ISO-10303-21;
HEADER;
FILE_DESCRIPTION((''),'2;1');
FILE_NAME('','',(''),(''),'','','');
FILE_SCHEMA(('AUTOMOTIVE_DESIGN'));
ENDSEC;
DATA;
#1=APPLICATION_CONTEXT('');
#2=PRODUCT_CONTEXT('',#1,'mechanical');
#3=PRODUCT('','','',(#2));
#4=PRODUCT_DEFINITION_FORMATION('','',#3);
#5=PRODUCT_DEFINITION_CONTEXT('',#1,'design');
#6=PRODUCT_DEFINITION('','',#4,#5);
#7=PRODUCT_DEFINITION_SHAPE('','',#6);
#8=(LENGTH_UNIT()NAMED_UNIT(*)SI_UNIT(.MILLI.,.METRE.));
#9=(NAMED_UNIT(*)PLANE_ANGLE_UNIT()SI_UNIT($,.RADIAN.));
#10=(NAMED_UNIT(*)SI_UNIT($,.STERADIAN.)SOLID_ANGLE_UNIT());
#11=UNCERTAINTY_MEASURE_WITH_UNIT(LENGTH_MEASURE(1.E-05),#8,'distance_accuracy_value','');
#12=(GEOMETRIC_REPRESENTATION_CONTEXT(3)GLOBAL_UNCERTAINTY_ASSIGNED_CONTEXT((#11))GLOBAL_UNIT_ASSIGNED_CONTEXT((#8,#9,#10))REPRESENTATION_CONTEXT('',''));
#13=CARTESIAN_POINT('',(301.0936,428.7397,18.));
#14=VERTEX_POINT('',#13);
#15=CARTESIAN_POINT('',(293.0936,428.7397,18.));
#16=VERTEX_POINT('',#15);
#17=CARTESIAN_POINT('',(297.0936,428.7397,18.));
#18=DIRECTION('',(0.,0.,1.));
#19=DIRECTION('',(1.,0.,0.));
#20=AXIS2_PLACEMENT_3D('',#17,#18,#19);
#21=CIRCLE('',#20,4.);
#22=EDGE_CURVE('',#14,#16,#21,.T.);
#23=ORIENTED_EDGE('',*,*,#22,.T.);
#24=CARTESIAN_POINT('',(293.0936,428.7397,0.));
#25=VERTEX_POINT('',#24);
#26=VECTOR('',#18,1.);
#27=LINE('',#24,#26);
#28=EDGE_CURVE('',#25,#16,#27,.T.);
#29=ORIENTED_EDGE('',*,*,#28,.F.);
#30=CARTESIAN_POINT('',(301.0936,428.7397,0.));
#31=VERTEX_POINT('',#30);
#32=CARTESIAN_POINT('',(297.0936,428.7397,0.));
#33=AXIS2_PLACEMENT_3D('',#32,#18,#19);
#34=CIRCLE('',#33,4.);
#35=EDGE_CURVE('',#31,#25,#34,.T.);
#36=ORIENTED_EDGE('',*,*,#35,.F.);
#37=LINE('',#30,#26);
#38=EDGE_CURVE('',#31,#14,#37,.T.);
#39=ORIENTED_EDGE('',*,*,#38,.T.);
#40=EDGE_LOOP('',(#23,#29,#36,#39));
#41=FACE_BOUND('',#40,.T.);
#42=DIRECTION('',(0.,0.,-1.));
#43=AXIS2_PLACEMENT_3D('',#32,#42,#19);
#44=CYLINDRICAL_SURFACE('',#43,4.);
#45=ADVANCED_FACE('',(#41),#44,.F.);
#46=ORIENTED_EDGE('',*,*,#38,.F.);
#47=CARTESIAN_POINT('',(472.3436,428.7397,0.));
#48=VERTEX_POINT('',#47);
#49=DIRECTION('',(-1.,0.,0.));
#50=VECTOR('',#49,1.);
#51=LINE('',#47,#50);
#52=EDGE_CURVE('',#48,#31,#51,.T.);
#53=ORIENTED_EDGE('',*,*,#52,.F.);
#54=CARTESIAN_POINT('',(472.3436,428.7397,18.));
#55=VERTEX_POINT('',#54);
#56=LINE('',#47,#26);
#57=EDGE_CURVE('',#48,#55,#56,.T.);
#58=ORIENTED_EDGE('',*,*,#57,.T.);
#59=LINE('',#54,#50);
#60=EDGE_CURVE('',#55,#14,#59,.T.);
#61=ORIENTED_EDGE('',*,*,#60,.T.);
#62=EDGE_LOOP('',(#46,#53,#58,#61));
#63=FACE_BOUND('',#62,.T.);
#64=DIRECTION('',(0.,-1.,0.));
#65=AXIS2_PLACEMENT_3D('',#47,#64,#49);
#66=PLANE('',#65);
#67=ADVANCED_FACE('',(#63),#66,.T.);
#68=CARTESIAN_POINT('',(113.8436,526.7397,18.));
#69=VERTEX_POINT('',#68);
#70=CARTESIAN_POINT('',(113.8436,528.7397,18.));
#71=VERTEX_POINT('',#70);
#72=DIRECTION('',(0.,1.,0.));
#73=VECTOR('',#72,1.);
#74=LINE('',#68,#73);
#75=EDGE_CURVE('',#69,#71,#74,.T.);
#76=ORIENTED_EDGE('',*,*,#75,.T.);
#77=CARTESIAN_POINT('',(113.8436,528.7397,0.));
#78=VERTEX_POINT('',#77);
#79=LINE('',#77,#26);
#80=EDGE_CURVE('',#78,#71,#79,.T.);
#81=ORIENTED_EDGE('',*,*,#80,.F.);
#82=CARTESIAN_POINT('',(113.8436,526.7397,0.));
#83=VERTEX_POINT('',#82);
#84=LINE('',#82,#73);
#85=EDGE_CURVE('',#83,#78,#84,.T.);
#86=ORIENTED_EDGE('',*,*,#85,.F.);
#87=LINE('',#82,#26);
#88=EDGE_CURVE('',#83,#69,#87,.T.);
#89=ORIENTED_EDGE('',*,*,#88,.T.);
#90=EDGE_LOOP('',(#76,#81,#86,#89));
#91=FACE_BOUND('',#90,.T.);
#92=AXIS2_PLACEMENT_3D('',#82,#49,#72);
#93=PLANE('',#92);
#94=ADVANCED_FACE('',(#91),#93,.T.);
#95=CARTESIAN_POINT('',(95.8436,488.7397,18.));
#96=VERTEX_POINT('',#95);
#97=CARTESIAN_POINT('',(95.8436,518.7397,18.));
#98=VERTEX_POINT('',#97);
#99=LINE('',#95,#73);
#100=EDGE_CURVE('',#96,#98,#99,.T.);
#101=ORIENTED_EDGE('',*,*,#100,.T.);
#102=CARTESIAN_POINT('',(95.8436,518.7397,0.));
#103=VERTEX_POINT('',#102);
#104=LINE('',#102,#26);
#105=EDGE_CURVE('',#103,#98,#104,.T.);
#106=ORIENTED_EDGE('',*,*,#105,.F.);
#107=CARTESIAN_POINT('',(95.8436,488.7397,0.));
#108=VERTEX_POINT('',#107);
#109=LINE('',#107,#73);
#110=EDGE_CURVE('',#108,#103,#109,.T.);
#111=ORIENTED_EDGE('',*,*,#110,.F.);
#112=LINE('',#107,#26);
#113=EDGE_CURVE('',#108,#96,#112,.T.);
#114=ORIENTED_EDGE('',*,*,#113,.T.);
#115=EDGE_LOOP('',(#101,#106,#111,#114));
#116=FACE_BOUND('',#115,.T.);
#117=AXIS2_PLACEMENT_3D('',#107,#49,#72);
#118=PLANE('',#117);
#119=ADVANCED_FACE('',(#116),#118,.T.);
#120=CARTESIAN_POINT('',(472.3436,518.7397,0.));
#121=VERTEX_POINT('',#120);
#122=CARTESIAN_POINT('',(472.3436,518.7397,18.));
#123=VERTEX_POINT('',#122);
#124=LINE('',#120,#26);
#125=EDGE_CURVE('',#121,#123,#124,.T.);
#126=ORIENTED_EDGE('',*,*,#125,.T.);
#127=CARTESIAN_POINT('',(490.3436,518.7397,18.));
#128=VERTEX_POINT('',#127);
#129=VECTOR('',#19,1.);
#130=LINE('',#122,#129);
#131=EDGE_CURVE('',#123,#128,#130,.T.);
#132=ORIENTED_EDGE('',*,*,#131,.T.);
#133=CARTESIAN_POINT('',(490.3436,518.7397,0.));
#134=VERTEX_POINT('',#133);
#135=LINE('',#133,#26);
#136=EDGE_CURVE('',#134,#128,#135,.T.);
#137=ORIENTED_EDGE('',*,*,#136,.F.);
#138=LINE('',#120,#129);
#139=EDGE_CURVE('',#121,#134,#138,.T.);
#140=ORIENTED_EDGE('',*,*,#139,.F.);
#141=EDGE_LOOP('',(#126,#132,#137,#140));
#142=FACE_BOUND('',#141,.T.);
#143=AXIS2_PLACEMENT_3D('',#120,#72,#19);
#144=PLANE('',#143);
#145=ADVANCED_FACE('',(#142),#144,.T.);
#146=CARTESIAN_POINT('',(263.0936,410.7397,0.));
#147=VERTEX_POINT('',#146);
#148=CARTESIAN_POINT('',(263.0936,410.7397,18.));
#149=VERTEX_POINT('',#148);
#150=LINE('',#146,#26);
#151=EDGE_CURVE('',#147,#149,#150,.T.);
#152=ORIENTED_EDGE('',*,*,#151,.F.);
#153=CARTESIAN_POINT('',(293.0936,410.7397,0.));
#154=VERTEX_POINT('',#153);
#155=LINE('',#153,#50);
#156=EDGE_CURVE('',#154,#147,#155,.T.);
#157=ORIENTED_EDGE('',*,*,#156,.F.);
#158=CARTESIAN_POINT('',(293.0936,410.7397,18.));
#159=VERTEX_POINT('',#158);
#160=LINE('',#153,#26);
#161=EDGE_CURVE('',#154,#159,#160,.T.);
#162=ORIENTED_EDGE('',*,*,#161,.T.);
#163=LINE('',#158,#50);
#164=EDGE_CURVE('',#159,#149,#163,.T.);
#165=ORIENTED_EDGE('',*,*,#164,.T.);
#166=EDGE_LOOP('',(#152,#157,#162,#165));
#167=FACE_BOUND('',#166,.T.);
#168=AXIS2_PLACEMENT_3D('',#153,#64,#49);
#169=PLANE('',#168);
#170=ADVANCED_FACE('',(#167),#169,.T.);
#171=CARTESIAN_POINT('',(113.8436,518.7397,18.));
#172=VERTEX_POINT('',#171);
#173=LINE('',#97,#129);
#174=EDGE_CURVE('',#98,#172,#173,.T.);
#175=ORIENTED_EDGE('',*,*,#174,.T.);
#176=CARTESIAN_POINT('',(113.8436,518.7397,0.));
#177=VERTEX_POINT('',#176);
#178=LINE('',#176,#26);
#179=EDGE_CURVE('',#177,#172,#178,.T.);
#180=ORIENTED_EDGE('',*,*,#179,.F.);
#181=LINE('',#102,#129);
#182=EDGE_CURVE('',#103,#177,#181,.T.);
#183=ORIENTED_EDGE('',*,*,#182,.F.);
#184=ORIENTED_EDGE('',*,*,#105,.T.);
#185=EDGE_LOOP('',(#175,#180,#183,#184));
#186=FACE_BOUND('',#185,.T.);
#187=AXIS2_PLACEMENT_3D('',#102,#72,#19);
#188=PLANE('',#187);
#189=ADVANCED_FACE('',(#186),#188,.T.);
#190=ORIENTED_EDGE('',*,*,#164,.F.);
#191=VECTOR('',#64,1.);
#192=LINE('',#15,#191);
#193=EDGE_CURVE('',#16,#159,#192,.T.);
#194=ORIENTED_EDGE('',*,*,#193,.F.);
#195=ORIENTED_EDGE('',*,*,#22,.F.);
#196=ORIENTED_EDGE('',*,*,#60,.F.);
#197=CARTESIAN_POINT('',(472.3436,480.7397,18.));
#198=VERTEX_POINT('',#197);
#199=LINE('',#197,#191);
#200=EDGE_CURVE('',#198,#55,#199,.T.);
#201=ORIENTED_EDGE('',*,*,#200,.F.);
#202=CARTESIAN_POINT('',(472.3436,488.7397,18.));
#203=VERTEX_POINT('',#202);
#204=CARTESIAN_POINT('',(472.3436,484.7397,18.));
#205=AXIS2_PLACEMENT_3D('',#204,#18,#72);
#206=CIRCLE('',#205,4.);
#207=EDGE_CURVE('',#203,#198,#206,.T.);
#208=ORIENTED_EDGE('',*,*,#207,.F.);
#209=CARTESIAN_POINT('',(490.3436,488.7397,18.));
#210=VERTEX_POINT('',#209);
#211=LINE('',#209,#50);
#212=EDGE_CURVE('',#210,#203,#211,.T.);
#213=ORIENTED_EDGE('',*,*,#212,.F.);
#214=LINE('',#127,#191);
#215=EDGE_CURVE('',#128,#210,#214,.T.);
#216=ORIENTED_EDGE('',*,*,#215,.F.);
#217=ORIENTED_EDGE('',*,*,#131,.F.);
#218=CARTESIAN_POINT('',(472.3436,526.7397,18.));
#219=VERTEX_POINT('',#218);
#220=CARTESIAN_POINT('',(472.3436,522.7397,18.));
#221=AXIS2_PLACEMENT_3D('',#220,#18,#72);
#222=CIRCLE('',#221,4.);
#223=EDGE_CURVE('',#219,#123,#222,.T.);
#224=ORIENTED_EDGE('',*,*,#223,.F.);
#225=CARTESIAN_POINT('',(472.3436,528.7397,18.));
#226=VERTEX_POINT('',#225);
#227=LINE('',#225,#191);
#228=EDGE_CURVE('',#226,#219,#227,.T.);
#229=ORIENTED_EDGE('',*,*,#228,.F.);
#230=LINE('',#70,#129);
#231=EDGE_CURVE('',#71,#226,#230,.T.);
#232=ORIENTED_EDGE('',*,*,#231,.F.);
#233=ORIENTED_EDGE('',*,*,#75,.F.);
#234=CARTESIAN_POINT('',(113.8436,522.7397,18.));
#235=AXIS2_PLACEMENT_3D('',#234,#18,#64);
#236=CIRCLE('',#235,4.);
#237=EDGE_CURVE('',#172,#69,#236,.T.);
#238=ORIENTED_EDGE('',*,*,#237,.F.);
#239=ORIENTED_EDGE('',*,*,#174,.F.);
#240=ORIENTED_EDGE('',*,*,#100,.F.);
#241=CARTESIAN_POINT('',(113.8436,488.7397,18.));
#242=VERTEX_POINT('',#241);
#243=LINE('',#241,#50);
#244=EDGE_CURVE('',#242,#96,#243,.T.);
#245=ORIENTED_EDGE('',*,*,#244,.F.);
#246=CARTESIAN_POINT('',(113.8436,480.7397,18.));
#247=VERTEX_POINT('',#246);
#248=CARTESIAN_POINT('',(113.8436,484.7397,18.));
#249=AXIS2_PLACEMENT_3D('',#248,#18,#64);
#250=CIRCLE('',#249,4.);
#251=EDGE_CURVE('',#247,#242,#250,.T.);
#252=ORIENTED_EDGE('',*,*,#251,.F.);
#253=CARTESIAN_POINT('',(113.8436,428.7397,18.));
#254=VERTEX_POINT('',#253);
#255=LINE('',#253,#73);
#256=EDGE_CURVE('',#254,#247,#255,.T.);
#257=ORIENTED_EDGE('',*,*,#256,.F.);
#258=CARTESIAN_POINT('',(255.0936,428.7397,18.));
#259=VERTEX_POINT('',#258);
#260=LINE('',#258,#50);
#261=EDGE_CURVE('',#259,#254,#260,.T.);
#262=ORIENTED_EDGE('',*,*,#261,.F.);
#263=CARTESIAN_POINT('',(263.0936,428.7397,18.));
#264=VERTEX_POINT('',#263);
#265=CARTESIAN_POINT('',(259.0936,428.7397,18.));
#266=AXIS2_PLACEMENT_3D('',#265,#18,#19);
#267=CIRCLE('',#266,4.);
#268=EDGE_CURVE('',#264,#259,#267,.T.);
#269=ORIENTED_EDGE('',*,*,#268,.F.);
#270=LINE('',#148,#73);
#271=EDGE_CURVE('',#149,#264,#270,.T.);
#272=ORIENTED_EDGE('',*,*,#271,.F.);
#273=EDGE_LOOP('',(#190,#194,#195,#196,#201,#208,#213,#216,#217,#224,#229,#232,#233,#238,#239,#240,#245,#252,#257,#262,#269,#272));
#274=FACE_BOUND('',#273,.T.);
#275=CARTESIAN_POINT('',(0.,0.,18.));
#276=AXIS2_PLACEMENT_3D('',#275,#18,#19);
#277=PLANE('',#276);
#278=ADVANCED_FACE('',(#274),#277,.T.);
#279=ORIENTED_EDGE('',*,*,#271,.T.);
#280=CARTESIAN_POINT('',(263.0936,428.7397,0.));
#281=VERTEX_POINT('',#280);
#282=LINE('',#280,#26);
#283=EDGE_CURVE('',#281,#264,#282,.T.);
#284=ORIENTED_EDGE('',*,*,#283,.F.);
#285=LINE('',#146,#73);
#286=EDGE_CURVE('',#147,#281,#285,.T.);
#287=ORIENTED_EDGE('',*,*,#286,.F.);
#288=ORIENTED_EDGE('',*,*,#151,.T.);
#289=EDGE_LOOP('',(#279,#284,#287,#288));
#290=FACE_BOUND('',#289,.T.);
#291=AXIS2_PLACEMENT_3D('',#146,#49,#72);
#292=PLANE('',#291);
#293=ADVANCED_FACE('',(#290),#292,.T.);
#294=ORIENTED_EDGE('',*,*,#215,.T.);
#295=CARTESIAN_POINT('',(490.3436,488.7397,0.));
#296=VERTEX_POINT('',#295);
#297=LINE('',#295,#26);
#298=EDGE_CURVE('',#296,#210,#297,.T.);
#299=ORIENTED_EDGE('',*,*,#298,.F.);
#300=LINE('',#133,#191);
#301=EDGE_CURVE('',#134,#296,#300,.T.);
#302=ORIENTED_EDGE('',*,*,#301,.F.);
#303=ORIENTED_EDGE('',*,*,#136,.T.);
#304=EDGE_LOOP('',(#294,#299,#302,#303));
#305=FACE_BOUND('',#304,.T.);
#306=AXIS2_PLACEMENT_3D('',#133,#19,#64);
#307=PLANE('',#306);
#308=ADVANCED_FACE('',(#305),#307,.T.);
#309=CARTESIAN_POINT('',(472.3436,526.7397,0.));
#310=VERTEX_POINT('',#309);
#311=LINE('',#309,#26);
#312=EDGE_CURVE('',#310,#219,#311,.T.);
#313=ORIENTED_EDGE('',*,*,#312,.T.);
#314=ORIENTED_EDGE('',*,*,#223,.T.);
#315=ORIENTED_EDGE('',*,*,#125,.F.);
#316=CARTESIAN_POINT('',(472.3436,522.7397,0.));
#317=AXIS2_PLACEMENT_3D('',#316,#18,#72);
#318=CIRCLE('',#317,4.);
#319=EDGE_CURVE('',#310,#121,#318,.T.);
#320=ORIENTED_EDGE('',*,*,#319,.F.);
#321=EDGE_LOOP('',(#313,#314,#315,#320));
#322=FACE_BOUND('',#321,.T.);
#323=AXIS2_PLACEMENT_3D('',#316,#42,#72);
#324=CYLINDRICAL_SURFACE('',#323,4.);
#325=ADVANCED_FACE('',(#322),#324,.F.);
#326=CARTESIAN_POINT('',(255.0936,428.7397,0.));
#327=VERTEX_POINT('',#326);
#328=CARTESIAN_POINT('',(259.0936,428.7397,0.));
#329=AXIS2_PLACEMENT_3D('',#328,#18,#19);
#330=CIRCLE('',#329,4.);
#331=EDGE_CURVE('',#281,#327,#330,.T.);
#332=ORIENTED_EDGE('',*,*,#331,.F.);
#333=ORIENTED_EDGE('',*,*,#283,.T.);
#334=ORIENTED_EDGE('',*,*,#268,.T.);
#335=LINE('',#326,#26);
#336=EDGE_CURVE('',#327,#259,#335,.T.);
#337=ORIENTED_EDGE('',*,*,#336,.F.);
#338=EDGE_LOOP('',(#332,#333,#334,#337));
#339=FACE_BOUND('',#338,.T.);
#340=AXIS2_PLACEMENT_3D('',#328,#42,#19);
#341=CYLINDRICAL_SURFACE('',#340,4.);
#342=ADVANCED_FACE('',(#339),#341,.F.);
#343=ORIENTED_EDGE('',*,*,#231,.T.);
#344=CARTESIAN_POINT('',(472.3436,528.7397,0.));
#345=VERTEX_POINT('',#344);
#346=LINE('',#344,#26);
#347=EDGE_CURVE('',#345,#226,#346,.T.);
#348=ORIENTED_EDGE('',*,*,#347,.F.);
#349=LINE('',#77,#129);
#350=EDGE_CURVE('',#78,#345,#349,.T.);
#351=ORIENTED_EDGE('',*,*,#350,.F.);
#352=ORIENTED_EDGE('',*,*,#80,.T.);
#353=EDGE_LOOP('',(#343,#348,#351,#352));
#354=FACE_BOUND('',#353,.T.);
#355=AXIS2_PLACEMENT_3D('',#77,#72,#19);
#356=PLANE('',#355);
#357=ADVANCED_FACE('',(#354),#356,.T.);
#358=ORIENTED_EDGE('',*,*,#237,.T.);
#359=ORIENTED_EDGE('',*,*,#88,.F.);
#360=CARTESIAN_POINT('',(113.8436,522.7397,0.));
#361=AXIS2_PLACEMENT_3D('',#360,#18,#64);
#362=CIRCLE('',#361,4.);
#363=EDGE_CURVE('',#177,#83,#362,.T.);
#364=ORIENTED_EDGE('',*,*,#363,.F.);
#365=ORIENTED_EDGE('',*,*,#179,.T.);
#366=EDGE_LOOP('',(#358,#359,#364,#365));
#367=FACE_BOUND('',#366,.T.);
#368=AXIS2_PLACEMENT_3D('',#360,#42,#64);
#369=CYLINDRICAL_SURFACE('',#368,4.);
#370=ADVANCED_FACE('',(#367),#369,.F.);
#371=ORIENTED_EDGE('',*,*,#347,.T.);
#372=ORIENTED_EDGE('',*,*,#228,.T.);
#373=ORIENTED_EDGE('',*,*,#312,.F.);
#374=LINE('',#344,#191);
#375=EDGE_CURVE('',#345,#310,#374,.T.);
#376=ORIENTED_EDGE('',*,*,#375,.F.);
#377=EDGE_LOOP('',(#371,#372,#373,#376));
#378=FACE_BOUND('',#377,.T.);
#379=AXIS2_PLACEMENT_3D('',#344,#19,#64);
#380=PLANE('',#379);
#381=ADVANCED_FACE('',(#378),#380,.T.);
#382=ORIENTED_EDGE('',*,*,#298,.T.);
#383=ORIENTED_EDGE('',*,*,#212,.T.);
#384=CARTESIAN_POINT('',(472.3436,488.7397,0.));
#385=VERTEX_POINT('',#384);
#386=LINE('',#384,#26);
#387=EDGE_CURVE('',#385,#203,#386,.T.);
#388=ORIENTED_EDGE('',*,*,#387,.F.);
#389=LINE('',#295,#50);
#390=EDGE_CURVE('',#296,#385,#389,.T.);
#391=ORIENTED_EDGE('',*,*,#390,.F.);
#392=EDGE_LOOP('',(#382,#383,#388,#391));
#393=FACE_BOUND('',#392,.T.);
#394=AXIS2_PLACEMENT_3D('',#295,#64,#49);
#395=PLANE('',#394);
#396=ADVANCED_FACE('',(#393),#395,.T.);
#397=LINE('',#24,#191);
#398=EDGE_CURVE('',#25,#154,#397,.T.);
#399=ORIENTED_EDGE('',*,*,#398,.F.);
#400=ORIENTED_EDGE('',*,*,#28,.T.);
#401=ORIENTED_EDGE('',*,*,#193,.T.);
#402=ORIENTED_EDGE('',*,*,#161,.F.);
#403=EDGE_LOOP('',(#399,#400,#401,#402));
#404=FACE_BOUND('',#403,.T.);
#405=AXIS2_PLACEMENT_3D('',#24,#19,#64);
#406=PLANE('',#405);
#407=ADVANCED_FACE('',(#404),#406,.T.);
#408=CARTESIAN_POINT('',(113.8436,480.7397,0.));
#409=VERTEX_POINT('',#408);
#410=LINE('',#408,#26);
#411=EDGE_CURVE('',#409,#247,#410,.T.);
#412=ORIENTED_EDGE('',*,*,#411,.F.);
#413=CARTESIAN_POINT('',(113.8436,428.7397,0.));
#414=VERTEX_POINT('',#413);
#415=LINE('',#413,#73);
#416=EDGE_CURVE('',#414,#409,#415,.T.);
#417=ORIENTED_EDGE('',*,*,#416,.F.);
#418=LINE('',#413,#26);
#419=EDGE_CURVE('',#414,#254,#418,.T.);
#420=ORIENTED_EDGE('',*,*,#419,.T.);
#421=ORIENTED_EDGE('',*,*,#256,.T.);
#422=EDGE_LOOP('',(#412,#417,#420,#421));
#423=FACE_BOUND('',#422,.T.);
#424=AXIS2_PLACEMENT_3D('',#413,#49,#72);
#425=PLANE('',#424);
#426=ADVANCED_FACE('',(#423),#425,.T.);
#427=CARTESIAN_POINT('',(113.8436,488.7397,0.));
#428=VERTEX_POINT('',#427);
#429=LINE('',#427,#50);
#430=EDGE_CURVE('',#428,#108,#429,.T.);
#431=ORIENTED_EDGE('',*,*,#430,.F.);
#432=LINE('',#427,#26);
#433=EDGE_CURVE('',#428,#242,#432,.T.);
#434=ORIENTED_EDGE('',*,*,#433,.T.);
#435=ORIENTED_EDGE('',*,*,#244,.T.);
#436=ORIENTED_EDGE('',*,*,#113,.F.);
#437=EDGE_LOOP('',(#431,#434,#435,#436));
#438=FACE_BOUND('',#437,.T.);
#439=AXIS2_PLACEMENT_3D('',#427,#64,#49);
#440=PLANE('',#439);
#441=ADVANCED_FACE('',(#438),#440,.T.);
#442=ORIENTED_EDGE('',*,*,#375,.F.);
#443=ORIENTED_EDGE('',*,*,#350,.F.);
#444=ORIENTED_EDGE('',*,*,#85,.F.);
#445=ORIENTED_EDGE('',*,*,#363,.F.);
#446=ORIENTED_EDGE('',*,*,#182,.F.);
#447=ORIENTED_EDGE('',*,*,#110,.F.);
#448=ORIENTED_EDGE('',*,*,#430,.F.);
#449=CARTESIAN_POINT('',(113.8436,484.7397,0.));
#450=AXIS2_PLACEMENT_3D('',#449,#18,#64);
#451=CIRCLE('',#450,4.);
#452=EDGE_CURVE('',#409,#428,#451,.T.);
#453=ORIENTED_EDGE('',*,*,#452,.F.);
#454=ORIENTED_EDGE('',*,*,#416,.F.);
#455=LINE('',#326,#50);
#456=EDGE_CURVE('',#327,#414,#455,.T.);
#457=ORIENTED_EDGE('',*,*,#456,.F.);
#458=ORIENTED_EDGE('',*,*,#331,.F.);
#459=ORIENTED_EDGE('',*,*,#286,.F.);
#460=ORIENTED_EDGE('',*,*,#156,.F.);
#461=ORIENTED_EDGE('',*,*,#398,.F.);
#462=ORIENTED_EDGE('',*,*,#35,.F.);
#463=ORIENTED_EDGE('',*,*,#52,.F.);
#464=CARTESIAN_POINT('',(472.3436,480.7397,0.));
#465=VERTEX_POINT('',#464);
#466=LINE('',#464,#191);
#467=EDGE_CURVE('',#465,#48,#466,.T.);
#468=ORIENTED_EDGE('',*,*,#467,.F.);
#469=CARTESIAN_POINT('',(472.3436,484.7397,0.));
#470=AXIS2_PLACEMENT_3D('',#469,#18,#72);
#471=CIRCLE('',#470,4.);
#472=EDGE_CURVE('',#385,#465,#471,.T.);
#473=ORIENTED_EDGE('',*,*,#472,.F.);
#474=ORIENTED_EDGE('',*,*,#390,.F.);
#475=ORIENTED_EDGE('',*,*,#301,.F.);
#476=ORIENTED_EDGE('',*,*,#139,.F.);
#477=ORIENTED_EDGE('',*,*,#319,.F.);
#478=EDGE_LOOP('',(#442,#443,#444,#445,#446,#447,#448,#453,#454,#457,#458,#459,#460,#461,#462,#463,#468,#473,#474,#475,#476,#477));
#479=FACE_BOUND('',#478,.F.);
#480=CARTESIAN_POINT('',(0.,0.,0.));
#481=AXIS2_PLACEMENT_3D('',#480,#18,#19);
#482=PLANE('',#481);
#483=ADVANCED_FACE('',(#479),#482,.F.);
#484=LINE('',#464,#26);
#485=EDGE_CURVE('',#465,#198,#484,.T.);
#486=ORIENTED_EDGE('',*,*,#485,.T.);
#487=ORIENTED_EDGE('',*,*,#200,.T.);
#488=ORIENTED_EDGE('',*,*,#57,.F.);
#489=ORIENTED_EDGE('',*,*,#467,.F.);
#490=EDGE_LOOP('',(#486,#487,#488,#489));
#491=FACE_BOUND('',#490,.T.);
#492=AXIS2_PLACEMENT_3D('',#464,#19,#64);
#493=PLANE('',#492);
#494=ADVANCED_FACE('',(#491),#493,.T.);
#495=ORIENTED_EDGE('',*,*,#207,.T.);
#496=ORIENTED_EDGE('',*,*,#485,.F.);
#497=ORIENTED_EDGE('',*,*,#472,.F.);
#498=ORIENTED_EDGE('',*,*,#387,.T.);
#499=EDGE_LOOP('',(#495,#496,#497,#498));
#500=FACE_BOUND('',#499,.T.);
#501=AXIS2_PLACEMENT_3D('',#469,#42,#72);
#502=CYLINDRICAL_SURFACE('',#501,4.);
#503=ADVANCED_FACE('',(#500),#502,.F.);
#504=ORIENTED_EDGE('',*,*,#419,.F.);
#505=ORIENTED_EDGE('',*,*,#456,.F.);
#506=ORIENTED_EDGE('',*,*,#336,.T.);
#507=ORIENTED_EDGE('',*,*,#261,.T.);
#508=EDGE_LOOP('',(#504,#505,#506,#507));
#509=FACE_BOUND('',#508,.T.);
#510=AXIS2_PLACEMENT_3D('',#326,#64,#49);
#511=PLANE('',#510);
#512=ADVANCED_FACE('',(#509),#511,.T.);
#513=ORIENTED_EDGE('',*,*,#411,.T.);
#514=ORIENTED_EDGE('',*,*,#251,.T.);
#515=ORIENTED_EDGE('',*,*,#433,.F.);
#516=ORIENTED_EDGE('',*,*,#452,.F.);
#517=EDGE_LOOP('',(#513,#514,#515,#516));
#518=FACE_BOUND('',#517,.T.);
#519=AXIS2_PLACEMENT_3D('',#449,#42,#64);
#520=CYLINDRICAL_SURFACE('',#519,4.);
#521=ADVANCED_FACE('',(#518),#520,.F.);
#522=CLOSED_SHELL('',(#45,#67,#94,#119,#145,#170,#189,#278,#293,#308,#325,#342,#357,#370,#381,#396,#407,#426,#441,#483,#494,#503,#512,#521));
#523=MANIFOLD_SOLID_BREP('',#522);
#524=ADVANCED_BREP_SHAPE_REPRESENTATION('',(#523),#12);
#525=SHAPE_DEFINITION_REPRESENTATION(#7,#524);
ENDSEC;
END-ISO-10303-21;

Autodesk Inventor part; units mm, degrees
ref_plane "YZ Plane" through (0, 0, 0) normal (1, 0, 0) x (0, 1, 0)
ref_plane "XZ Plane" through (0, 0, 0) normal (0, 1, 0) x (-1, 0, 0)
ref_plane "XY Plane" through (0, 0, 0) normal (0, 0, 1) x (1, 0, 0)
sketch "CONTOURS" plane through (0, 0, 0) normal (0, 0, 1) x (1, 0, 0)
  arc A0 (113.8436, 518.7397) -> (113.8436, 526.7397) centre (113.8436, 522.7397) ccw
  line L0 (113.8436, 526.7397) -> (113.8436, 528.7397)
  line L1 (113.8436, 528.7397) -> (472.3436, 528.7397)
  line L2 (472.3436, 528.7397) -> (472.3436, 526.7397)
  arc A1 (472.3436, 526.7397) -> (472.3436, 518.7397) centre (472.3436, 522.7397) ccw
  line L3 (472.3436, 518.7397) -> (490.3436, 518.7397)
  line L4 (490.3436, 518.7397) -> (490.3436, 488.7397)
  line L5 (490.3436, 488.7397) -> (472.3436, 488.7397)
  arc A2 (472.3436, 488.7397) -> (472.3436, 480.7397) centre (472.3436, 484.7397) ccw
  line L6 (472.3436, 480.7397) -> (472.3436, 428.7397)
  line L7 (472.3436, 428.7397) -> (301.0936, 428.7397)
  arc A3 (301.0936, 428.7397) -> (293.0936, 428.7397) centre (297.0936, 428.7397) ccw
  line L8 (293.0936, 428.7397) -> (293.0936, 410.7397)
  line L9 (293.0936, 410.7397) -> (263.0936, 410.7397)
  line L10 (263.0936, 410.7397) -> (263.0936, 428.7397)
  arc A4 (263.0936, 428.7397) -> (255.0936, 428.7397) centre (259.0936, 428.7397) ccw
  line L11 (255.0936, 428.7397) -> (113.8436, 428.7397)
  line L12 (113.8436, 428.7397) -> (113.8436, 480.7397)
  arc A5 (113.8436, 480.7397) -> (113.8436, 488.7397) centre (113.8436, 484.7397) ccw
  line L13 (113.8436, 488.7397) -> (95.8436, 488.7397)
  line L14 (95.8436, 488.7397) -> (95.8436, 518.7397)
  line L15 (95.8436, 518.7397) -> (113.8436, 518.7397)
extrude "Extrusion1" add sketch "CONTOURS" along normal blind 18
properties part number "Layer 1 Plank" material "Wood (Birch)"
